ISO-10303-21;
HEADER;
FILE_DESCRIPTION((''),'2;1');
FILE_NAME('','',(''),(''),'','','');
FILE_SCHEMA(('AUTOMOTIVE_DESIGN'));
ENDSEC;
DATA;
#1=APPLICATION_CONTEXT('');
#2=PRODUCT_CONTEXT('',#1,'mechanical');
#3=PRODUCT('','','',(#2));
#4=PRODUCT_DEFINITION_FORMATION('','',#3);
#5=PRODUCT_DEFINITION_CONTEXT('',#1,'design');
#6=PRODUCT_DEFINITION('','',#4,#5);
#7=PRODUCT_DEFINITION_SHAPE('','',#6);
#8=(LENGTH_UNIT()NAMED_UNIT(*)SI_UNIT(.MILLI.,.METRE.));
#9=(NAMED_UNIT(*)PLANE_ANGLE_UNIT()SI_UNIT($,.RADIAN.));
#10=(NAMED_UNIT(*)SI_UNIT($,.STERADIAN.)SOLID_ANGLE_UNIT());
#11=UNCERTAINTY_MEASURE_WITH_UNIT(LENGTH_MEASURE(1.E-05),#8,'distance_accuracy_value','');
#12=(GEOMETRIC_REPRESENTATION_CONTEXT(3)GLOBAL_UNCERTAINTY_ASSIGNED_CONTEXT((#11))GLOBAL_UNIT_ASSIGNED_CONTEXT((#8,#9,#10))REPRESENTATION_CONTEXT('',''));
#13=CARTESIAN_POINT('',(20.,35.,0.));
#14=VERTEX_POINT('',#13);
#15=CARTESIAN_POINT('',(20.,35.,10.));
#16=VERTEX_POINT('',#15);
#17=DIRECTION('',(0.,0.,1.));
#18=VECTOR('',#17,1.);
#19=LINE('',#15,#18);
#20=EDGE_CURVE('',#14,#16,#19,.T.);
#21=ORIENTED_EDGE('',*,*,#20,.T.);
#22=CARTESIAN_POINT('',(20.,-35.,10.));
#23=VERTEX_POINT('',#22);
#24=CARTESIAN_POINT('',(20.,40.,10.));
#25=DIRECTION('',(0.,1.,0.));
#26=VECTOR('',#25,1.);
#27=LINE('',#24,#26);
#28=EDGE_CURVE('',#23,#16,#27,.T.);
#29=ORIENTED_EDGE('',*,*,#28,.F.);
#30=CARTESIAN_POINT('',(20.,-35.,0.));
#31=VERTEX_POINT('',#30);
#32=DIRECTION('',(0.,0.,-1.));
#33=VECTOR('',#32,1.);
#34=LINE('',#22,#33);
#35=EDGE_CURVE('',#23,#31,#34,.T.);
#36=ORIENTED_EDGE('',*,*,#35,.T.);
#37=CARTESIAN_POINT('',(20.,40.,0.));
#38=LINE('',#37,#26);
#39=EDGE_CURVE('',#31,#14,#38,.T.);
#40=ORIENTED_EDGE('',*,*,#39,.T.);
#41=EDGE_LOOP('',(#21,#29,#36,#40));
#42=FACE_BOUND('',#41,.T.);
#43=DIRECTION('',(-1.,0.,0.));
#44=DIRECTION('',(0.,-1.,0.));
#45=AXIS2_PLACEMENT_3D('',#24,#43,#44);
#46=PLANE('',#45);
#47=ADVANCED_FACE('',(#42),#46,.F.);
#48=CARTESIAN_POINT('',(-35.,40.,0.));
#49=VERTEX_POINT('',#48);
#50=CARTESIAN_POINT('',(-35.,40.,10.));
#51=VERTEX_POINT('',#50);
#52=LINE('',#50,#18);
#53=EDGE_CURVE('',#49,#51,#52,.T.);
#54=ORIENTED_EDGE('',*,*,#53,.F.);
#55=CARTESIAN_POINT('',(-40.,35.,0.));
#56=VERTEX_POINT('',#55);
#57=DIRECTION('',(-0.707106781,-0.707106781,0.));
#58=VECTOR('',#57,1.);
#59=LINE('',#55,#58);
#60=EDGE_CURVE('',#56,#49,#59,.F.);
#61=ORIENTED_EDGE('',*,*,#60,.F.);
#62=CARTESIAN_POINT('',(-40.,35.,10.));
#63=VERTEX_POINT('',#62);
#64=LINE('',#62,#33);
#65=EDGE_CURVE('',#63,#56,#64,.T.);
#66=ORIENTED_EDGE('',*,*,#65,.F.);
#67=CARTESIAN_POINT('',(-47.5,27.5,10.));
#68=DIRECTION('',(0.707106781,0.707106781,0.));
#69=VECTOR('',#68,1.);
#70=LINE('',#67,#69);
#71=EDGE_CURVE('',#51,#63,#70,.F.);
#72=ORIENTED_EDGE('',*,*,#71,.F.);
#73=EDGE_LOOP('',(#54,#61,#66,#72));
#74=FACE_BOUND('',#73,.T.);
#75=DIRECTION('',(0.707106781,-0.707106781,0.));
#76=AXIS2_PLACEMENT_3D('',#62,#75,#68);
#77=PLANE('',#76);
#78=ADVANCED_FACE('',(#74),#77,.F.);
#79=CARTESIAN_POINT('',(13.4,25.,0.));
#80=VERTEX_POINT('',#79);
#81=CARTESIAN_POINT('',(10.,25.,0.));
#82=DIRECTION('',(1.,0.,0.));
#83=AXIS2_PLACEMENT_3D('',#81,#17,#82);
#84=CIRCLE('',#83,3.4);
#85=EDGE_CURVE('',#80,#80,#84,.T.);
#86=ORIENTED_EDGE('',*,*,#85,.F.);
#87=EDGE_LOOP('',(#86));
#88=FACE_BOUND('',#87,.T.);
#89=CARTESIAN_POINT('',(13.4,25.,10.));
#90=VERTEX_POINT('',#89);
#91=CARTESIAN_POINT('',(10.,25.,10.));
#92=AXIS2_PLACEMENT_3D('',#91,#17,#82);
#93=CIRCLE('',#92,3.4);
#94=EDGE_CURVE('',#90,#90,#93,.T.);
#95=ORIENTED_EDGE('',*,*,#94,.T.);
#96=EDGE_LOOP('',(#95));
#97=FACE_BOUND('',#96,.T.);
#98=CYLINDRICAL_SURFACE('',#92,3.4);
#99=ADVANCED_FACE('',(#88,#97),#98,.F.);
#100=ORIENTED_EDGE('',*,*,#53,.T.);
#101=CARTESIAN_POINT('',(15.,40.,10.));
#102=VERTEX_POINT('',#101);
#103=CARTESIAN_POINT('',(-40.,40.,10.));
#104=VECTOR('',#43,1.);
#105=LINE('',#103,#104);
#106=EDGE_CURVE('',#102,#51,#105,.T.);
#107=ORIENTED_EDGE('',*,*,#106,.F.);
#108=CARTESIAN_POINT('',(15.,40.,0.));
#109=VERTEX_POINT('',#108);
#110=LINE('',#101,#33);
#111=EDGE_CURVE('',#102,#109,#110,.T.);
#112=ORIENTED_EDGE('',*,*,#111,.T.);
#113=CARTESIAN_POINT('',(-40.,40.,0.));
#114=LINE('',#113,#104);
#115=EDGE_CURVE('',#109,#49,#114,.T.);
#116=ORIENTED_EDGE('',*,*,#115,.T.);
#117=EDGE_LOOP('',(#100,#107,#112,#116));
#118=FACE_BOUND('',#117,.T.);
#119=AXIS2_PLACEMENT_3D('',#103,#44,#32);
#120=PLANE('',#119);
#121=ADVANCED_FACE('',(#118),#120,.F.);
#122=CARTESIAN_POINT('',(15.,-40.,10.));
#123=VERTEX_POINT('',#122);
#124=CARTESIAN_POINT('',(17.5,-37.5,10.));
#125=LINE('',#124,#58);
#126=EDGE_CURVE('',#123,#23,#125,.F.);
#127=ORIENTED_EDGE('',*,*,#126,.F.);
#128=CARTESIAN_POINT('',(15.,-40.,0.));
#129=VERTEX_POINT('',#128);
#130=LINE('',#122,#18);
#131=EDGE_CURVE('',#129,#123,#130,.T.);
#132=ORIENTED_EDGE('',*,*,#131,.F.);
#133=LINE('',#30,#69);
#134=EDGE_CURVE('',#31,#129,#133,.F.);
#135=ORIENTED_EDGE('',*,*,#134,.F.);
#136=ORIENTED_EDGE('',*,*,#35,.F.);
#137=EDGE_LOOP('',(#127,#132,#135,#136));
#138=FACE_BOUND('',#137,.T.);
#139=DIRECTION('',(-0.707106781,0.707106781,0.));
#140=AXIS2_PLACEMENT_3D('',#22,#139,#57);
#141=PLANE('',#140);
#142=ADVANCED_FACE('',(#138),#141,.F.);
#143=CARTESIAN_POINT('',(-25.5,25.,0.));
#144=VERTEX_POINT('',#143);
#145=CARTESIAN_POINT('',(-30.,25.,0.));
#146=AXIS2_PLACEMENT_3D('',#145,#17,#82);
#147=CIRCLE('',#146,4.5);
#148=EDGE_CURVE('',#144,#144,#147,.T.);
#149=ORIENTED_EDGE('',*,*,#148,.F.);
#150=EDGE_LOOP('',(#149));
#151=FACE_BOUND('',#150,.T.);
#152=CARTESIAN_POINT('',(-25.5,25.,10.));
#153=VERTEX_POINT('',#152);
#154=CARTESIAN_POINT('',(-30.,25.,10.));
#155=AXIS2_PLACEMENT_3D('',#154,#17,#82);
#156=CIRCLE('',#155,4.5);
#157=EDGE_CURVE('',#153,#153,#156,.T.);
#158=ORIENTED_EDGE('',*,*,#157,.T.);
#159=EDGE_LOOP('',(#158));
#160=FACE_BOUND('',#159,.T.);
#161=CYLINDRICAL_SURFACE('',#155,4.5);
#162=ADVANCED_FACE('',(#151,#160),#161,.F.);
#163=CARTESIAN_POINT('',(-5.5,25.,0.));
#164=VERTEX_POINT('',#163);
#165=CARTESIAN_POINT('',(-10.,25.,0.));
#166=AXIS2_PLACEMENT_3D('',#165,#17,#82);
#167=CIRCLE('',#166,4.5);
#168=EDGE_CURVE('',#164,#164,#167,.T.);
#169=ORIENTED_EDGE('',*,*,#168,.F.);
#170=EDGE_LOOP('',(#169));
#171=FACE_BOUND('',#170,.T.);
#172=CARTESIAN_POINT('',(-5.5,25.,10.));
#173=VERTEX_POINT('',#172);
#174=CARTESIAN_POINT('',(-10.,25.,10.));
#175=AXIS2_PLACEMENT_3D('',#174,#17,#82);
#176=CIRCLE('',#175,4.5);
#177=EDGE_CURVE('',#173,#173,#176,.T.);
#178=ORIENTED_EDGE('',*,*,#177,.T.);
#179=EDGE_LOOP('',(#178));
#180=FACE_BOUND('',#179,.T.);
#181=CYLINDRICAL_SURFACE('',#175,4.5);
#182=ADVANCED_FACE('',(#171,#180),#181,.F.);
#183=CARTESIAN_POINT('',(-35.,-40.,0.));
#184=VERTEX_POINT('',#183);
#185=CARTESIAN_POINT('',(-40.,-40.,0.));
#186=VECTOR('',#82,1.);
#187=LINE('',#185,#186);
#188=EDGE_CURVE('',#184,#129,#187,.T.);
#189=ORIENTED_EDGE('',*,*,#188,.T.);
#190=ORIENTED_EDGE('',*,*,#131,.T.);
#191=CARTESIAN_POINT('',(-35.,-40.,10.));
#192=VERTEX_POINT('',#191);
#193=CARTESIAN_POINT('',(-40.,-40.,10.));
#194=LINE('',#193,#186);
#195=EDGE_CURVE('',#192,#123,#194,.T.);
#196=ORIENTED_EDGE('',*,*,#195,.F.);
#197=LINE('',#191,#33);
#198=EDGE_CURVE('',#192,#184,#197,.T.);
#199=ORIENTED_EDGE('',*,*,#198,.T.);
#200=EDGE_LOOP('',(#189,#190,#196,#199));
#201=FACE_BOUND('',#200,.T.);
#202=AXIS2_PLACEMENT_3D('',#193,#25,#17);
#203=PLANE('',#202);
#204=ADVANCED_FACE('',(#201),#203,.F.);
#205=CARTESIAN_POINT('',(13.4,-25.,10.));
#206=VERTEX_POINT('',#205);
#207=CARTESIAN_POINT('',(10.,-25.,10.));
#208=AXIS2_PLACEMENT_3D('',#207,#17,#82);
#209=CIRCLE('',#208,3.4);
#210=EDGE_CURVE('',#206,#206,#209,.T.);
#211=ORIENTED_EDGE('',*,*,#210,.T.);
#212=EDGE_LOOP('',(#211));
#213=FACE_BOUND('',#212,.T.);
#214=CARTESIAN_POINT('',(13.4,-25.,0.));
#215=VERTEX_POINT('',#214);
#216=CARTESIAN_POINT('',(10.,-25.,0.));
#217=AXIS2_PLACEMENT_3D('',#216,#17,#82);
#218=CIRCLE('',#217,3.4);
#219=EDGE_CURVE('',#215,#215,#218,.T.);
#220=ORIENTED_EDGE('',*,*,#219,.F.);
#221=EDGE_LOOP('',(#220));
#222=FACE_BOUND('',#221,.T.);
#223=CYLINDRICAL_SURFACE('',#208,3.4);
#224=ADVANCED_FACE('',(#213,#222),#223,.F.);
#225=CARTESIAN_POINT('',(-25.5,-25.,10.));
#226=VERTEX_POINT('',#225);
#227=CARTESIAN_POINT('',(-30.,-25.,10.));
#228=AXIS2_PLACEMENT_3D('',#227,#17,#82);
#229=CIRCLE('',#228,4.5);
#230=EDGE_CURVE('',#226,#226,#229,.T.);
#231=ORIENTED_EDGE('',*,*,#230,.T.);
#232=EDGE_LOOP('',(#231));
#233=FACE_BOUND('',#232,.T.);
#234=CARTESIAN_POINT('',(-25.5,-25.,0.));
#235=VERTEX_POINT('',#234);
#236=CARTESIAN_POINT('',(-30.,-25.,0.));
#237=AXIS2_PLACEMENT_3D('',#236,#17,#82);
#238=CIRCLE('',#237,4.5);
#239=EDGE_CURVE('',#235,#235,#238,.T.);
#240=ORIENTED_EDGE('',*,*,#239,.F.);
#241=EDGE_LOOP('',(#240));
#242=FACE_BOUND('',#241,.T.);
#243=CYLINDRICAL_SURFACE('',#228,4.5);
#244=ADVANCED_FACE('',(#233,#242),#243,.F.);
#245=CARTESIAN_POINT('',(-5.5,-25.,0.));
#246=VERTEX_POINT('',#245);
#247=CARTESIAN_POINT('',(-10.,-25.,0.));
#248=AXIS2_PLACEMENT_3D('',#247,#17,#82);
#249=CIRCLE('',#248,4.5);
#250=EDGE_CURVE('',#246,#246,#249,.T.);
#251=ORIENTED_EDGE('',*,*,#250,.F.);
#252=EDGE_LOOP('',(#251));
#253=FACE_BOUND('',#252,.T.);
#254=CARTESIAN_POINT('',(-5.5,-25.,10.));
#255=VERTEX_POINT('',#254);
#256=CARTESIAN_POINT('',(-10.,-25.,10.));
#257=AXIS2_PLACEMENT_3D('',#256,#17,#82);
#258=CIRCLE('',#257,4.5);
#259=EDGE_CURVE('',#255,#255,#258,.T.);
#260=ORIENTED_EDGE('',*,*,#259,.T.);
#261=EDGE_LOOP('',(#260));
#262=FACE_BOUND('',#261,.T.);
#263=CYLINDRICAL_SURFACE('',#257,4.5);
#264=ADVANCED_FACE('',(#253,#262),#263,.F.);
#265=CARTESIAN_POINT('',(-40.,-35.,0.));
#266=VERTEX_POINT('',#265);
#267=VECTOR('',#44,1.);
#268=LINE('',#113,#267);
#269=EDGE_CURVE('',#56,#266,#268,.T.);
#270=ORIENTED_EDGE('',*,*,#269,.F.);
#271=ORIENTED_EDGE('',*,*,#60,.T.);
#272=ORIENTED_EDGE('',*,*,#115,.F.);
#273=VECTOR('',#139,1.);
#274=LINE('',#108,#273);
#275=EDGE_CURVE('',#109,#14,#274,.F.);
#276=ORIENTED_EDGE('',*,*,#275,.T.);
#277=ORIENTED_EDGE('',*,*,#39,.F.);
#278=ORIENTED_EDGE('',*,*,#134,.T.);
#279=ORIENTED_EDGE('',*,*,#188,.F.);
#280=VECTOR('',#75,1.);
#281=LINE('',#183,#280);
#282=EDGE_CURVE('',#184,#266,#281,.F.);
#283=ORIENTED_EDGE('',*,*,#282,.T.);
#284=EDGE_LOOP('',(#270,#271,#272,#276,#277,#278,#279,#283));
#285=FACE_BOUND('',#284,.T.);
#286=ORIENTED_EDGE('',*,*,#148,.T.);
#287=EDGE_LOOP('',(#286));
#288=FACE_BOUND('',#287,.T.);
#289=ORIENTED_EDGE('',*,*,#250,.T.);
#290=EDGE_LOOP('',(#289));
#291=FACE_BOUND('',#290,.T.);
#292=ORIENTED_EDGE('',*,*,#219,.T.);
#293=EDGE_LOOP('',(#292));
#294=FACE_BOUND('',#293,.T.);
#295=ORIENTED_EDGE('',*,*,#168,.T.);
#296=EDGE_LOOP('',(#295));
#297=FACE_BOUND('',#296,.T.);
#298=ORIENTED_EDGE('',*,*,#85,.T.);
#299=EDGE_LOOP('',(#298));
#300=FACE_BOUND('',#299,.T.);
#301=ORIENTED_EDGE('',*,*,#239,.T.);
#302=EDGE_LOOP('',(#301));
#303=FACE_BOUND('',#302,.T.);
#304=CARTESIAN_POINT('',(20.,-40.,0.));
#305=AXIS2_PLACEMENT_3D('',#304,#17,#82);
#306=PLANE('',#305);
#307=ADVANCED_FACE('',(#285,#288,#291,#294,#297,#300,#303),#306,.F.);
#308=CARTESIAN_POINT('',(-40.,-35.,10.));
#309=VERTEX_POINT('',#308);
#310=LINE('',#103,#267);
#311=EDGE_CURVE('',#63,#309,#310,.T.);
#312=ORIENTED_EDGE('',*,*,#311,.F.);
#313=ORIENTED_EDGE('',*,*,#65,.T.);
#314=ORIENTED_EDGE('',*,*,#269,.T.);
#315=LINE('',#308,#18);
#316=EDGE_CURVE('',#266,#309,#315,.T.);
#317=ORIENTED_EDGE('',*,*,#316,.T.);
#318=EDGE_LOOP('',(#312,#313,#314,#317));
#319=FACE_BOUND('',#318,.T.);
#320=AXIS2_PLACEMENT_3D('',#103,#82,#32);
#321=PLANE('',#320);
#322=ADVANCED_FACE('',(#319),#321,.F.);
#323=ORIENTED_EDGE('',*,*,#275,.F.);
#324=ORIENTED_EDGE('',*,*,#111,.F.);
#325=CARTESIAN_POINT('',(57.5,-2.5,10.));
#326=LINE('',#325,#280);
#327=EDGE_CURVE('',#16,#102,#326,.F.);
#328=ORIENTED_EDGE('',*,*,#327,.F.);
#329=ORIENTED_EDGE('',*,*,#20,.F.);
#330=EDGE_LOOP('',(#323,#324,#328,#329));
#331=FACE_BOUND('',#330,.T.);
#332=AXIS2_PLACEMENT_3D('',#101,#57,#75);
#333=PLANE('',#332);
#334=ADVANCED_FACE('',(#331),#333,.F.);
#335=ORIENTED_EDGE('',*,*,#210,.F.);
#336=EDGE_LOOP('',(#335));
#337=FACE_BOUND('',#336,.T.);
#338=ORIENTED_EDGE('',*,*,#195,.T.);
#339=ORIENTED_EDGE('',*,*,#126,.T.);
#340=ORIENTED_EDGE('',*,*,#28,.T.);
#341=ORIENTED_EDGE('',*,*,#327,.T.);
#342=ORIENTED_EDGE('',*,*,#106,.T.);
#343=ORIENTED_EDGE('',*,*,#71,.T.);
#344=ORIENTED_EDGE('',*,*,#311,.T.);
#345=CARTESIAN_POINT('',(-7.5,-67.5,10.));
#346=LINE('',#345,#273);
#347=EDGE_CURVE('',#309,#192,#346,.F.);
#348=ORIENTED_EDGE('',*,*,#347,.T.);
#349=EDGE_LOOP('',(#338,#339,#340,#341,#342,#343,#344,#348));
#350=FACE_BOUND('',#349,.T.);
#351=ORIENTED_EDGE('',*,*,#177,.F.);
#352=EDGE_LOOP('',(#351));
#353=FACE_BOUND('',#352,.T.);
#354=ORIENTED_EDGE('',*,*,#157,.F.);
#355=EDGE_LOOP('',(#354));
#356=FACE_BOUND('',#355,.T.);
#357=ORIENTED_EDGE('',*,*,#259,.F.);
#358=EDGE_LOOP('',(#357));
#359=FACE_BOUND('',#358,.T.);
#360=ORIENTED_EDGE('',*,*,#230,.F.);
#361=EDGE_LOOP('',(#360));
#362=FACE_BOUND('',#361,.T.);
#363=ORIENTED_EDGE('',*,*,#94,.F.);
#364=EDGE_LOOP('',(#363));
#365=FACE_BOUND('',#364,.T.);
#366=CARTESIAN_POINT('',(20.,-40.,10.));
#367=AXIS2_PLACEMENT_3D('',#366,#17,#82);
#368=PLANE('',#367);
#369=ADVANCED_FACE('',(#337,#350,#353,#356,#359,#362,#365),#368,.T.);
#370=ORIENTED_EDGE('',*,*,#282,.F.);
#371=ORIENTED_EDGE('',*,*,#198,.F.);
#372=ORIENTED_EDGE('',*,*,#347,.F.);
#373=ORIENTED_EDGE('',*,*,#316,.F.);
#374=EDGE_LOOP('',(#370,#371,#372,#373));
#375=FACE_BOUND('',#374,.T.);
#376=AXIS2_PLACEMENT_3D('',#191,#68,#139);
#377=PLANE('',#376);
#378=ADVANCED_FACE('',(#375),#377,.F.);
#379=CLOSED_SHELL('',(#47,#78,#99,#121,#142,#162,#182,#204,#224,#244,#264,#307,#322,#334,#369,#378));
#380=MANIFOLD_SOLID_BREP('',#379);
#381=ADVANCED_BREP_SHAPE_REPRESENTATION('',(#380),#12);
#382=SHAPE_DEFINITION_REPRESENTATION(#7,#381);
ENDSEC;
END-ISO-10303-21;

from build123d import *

# Parameters (mm, degrees)
SKETCH_1_W                = 60
SKETCH_1_H                = 80
EXTRUDE_1_DEPTH           = 10
CHAMFER_1_SIZE            = 5
HOLE_WIZARD_9_0_9_1_D     = 9
HOLE_WIZARD_9_0_9_1_DEPTH = 34.5
HOLE_WIZARD_9_0_9_1_TIP   = 2.703872786
HOLE_WIZARD_M8_3_D        = 6.8
HOLE_WIZARD_M8_3_DEPTH    = 22.25
HOLE_WIZARD_M8_3_TIP      = 2.042926105


with BuildPart() as part:
    # 草图1 → 凸台-拉伸1 (new body)
    with BuildSketch(Plane.XY):
        with Locations((-10, 0)):
            Rectangle(SKETCH_1_W, SKETCH_1_H)
    extrude(amount=EXTRUDE_1_DEPTH)

    # 倒角1
    chamfer_1_edges = [part.edges().sort_by_distance(p)[0] for p in [
        (20, -40, 5),
        (-40, -40, 5),
        (-40, 40, 5),
        (20, 40, 5),
    ]]
    chamfer(chamfer_1_edges, length=CHAMFER_1_SIZE)

    # Ø9.0 (9) 直径孔1
    with Locations(Plane.XY.offset(10)):
        with Locations((-30, 25), (-30, -25), (-10, -25), (-10, 25)):
            Hole(HOLE_WIZARD_9_0_9_1_D / 2, depth=HOLE_WIZARD_9_0_9_1_DEPTH)
            with Locations((0, 0, -(HOLE_WIZARD_9_0_9_1_DEPTH + HOLE_WIZARD_9_0_9_1_TIP / 2))):  # 118° drill point
                Cone(0, HOLE_WIZARD_9_0_9_1_D / 2, HOLE_WIZARD_9_0_9_1_TIP, mode=Mode.SUBTRACT)

    # M8 螺纹孔3
    with Locations(Plane.XY.offset(10)):
        with Locations((10, -25), (10, 25)):
            Hole(HOLE_WIZARD_M8_3_D / 2, depth=HOLE_WIZARD_M8_3_DEPTH)
            with Locations((0, 0, -(HOLE_WIZARD_M8_3_DEPTH + HOLE_WIZARD_M8_3_TIP / 2))):  # 118° drill point
                Cone(0, HOLE_WIZARD_M8_3_D / 2, HOLE_WIZARD_M8_3_TIP, mode=Mode.SUBTRACT)


solid = part.part
